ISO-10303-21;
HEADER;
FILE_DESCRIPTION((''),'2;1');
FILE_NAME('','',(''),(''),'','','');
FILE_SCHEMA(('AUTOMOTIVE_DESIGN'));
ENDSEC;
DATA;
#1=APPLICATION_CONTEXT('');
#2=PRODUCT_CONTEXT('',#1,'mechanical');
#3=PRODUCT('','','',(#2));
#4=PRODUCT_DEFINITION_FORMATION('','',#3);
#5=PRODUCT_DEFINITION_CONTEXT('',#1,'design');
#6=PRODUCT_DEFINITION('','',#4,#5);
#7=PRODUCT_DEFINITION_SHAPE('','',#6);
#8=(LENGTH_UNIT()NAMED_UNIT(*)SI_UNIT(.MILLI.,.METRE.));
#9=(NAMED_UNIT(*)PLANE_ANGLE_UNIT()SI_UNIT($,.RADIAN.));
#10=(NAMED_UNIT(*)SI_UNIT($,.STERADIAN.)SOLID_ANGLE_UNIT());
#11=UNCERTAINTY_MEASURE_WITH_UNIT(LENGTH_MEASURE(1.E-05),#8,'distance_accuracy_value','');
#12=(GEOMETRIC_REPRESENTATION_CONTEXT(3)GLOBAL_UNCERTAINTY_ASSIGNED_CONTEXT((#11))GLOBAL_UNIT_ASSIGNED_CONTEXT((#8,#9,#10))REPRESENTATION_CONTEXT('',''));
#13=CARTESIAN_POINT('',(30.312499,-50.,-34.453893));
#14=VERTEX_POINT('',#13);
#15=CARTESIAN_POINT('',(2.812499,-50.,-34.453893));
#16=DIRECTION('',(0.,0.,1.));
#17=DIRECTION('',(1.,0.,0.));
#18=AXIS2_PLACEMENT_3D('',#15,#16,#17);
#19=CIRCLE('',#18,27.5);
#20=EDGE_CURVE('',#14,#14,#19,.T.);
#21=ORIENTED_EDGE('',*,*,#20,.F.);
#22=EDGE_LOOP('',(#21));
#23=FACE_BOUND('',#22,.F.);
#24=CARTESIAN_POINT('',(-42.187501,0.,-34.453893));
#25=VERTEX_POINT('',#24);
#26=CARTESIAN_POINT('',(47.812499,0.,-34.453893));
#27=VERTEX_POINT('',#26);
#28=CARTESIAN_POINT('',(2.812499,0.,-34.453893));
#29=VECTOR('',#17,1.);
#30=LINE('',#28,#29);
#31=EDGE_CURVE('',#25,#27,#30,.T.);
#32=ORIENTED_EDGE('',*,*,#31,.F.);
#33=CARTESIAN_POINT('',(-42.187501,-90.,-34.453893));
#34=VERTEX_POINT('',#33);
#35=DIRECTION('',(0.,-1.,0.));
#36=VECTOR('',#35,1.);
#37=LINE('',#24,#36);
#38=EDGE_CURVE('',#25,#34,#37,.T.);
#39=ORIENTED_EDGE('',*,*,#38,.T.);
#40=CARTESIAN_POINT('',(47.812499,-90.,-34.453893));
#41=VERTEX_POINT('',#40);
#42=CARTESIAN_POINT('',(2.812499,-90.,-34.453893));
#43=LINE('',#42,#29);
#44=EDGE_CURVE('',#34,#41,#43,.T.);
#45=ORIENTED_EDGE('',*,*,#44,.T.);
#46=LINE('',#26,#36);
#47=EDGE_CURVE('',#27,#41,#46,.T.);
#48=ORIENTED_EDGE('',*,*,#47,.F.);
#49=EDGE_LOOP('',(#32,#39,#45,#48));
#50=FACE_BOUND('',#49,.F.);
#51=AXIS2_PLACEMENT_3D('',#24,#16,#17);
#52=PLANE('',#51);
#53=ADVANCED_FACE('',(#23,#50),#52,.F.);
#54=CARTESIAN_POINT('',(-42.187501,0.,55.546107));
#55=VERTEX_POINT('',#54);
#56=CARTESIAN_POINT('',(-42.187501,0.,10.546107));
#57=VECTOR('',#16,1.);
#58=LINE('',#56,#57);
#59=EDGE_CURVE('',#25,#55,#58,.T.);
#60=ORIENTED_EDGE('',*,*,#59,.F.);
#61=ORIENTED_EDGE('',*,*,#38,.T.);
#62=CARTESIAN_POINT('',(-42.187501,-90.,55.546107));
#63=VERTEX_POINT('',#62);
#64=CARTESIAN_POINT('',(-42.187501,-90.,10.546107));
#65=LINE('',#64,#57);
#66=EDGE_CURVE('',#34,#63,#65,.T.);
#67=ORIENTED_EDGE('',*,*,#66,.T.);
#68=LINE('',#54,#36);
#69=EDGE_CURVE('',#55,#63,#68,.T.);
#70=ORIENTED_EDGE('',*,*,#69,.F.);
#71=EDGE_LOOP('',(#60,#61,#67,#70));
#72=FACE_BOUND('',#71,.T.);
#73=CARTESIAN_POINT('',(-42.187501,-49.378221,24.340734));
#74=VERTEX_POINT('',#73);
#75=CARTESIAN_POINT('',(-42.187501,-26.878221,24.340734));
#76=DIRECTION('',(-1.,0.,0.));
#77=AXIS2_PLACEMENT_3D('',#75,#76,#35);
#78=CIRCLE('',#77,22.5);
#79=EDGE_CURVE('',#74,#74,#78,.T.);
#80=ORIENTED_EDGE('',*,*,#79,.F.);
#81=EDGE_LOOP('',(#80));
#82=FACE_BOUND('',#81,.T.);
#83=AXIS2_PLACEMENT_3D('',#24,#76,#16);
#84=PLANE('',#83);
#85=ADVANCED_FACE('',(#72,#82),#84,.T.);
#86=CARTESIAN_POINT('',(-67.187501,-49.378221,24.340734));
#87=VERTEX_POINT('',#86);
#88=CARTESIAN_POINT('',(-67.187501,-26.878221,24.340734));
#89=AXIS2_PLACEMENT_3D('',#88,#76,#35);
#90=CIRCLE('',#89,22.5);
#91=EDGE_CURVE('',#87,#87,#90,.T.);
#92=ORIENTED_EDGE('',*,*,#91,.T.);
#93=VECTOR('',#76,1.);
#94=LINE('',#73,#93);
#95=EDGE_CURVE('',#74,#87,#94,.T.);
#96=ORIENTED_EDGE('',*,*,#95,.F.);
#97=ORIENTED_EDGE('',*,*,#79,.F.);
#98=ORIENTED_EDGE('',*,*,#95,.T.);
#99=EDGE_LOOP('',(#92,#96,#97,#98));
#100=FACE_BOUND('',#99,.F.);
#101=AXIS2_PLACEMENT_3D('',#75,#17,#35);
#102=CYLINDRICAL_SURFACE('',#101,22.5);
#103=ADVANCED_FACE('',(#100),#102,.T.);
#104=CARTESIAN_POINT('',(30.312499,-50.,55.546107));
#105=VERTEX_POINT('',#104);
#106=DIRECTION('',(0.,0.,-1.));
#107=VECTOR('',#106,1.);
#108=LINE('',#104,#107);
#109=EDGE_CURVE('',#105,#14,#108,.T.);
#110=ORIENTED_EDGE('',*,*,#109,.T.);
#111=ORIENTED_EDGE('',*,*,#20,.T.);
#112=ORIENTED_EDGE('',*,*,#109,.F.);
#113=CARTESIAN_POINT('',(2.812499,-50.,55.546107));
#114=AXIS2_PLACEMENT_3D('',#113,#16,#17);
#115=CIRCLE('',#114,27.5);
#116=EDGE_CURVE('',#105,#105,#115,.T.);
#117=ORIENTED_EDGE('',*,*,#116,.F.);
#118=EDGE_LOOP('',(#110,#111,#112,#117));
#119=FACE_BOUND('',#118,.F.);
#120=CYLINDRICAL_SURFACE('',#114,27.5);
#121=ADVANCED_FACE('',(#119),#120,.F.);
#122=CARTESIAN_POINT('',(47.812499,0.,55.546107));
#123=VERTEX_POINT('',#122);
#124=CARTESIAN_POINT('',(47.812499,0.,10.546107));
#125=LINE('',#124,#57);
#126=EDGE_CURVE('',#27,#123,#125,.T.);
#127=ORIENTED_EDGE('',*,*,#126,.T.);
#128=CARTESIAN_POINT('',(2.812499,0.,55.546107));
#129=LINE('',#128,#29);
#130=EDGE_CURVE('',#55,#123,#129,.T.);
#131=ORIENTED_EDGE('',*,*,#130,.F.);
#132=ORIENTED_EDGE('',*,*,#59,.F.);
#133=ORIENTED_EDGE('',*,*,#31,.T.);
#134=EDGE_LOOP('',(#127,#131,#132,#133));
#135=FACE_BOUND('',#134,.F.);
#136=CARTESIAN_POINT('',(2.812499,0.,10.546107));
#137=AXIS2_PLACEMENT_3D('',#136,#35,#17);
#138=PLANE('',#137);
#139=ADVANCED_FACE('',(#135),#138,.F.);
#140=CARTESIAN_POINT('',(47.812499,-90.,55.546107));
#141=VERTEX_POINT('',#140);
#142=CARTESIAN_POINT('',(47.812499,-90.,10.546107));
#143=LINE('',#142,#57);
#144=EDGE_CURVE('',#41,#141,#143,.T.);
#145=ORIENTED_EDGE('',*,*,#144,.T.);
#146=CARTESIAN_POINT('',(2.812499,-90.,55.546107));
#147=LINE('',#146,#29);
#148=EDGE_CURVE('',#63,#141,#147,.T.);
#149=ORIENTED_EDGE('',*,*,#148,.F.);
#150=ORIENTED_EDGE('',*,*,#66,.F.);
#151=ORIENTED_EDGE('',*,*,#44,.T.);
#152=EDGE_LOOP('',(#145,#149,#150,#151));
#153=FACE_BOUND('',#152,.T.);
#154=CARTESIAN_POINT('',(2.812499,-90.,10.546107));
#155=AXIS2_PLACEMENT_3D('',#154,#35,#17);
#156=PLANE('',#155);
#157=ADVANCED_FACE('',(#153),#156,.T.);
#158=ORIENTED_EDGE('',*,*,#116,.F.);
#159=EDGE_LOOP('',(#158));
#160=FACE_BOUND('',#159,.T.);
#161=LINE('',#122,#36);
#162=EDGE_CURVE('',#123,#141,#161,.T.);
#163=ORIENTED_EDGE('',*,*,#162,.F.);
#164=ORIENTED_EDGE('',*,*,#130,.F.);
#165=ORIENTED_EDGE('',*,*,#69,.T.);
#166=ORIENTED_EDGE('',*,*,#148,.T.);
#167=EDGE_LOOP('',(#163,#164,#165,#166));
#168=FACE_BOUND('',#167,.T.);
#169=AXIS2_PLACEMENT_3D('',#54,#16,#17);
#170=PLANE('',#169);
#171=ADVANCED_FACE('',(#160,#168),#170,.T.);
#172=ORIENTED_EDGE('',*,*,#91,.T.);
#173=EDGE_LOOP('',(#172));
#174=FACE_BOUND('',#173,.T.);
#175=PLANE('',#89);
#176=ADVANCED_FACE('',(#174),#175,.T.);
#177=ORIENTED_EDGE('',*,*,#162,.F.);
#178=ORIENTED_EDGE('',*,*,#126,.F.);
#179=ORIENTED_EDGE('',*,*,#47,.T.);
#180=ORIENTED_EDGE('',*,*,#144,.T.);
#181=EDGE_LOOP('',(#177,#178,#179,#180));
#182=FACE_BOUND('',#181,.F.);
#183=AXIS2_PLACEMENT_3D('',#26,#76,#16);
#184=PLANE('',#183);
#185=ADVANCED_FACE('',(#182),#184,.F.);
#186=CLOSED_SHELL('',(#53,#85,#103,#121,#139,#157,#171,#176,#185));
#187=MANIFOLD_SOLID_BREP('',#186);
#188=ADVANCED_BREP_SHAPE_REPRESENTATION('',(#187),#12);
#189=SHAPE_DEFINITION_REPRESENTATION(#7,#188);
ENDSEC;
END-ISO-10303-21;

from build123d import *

# Parameters (mm, degrees)
F0_W     = 90
F0_H     = 90
F1_DEPTH = 90
F2_R     = 27.5
F3_DEPTH = 90
F4_R     = 22.5
F5_DEPTH = 25


with BuildPart() as f1:
    # F0 (on Front) → F1 (new body)
    with BuildSketch(Plane.XZ):
        with Locations((2.812499, 10.546107)):
            Rectangle(F0_W, F0_H)
    extrude(amount=F1_DEPTH)

    # F2 (on face) → F3 (cut, through all)
    with BuildSketch(Plane.XY.offset(55.546107)):
        with Locations((2.812499, -50)):
            Circle(F2_R)
    extrude(amount=-F3_DEPTH, mode=Mode.SUBTRACT)

    # F4 (on face) → F5 (join)
    with BuildSketch(Plane(origin=(-42.187501, 0, 0), x_dir=(0, -1, 0), z_dir=(-1, 0, 0))):
        with Locations((26.878221, 24.340734)):
            Circle(F4_R)
    extrude(amount=F5_DEPTH)


solid = f1.part
